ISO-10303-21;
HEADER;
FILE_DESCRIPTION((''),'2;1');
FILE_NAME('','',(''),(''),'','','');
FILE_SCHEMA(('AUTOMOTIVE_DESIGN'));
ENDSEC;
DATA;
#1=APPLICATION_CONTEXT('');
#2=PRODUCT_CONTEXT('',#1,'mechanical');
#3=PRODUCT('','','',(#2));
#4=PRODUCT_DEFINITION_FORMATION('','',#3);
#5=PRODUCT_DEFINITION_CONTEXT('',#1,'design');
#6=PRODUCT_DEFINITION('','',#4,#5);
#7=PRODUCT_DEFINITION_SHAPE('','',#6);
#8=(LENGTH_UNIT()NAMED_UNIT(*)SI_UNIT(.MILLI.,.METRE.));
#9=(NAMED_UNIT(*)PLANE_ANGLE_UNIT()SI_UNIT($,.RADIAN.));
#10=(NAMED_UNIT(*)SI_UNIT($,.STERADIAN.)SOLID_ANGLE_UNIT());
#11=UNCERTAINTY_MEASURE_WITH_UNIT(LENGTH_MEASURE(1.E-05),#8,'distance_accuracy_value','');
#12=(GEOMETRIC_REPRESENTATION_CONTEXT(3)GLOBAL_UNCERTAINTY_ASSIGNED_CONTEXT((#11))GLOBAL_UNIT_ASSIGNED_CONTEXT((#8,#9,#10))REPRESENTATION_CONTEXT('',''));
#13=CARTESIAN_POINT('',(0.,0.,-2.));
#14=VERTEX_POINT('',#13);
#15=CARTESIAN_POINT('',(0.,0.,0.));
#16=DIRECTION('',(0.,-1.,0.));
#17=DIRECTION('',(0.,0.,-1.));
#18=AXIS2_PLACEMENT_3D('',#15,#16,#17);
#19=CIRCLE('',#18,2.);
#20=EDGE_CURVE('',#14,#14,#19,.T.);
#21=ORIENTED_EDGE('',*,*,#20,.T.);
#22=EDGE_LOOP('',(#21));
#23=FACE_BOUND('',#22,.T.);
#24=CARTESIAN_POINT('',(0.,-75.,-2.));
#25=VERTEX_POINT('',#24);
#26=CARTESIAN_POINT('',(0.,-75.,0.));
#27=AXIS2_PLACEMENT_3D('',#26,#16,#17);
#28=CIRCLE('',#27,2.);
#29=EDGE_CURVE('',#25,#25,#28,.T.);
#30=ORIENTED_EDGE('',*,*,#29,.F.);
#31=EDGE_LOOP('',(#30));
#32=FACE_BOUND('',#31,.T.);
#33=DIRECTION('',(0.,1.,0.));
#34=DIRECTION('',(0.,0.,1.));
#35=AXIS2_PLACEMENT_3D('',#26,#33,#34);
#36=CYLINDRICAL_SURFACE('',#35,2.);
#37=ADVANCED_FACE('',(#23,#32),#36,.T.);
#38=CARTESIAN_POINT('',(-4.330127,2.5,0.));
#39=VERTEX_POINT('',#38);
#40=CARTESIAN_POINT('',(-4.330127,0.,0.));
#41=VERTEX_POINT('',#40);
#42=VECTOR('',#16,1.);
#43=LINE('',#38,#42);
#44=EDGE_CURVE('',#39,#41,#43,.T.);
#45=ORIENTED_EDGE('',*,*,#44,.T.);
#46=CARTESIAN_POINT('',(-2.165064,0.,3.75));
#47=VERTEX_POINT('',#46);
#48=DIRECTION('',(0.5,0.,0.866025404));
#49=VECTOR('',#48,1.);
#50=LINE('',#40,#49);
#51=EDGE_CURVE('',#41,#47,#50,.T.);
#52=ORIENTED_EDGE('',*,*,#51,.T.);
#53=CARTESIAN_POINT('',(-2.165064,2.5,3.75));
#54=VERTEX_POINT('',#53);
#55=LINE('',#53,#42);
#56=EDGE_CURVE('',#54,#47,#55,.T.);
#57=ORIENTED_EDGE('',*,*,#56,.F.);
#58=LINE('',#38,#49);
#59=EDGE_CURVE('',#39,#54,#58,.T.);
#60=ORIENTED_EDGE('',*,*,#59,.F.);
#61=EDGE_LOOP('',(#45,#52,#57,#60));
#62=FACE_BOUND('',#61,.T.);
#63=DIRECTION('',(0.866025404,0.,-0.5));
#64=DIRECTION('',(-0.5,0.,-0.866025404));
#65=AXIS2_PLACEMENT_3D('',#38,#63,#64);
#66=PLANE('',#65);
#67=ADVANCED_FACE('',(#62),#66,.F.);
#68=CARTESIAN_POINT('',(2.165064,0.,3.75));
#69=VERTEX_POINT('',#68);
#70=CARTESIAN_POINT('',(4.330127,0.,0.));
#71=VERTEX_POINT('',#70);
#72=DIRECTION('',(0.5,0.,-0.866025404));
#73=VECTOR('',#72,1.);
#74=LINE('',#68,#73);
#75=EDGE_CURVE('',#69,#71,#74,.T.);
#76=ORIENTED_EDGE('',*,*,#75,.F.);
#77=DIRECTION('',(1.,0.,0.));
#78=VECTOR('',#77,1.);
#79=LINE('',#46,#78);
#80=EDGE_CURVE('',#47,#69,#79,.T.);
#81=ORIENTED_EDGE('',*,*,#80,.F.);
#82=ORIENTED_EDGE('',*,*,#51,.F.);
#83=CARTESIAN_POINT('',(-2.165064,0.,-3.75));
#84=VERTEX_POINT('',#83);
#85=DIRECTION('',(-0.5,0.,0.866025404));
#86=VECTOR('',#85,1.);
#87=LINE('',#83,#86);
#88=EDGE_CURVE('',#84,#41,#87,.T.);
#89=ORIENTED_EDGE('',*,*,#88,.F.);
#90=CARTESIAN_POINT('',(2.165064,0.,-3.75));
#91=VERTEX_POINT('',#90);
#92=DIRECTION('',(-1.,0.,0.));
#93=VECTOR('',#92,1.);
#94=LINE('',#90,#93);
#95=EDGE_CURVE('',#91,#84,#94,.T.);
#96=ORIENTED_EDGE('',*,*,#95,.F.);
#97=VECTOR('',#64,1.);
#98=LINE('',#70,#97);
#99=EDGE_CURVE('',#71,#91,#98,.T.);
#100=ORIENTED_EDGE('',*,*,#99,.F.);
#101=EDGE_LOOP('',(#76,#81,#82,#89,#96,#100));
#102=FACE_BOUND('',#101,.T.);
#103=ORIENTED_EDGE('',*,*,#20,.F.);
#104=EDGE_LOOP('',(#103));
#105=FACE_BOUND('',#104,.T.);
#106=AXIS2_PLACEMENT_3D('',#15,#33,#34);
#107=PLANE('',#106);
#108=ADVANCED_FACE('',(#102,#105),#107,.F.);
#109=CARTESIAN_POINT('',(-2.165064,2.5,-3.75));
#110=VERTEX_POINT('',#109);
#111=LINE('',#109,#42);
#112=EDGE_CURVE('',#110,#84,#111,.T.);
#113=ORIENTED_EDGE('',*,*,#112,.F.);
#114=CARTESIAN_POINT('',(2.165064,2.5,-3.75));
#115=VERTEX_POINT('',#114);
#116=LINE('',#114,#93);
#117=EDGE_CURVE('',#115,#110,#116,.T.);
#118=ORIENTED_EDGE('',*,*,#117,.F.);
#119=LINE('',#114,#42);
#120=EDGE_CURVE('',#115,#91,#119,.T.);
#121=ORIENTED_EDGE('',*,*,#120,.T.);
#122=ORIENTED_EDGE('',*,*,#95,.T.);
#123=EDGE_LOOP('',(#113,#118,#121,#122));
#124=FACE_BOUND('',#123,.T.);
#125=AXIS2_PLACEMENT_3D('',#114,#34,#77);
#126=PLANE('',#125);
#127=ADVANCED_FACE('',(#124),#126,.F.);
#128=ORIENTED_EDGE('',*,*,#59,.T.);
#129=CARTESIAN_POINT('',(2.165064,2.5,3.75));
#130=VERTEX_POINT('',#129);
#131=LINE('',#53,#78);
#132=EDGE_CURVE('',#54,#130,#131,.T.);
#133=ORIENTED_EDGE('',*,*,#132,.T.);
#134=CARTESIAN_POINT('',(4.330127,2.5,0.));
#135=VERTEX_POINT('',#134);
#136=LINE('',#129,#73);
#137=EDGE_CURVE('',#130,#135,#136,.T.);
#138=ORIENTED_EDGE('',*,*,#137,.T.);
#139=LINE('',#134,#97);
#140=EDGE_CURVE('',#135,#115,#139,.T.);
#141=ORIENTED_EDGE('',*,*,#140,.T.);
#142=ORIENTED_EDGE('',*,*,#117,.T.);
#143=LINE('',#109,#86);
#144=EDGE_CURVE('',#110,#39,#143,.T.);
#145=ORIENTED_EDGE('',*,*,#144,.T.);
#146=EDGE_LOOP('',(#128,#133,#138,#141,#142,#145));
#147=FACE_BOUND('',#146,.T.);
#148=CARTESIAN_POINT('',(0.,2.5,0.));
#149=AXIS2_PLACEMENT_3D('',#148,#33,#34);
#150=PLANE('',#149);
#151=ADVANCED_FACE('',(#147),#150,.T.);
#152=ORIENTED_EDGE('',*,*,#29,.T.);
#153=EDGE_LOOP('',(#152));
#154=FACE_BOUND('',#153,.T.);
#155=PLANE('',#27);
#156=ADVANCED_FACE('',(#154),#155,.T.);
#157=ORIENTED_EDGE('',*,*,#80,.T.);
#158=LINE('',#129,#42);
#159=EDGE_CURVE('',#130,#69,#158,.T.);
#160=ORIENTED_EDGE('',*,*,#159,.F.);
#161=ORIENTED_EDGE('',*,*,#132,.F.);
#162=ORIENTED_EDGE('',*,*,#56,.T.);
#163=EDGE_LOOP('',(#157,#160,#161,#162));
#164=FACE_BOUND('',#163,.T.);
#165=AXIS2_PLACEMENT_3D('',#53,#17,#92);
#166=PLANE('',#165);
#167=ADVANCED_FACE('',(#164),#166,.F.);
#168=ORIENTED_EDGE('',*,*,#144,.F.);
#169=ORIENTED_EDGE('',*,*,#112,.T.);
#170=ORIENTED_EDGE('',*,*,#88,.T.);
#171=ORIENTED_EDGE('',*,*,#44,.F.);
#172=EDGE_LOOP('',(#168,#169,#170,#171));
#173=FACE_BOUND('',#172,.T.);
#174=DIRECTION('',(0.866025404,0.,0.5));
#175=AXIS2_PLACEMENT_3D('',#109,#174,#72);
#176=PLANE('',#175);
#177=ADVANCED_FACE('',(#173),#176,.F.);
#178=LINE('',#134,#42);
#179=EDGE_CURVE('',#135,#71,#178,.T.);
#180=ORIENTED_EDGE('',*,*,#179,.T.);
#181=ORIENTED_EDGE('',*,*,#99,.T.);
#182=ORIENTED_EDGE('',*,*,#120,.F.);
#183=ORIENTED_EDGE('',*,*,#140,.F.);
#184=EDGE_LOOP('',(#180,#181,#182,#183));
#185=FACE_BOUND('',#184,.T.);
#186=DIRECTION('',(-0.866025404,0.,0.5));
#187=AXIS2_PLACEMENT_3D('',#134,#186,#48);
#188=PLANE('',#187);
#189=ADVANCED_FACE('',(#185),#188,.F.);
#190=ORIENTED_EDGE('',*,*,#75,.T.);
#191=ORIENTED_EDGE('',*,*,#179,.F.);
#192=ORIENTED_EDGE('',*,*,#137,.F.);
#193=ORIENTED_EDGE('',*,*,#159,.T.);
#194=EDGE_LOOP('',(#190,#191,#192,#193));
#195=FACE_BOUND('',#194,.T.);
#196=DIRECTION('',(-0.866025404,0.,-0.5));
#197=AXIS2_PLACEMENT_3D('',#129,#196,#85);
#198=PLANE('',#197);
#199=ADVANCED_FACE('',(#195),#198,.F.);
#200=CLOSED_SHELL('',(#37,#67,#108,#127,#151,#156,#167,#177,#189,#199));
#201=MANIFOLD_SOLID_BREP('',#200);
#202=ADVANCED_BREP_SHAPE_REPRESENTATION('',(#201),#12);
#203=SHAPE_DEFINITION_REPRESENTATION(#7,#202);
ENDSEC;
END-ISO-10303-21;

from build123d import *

# Parameters (mm, degrees)
BOSS_EXTRUDE1_DEPTH = 2.5
SKETCH2_R           = 2
BOSS_EXTRUDE2_DEPTH = 75


with BuildPart() as part:
    # Sketch1 → Boss-Extrude1 (new body)
    with BuildSketch(Plane(origin=(0, 0, 0), x_dir=(1, 0, 0), z_dir=(0, 1, 0))):
        Polygon((4.330127019, 0), (2.165063509, 3.75), (-2.165063509, 3.75), (-4.330127019, 0), (-2.165063509, -3.75), (2.165063509, -3.75), align=None)
    extrude(amount=BOSS_EXTRUDE1_DEPTH)

    # Sketch2 → Boss-Extrude2 (add)
    with BuildSketch(Plane.XZ):
        with Locations(Location((0, 0, 0), (0, 0, 270))):
            Circle(SKETCH2_R)
    extrude(amount=BOSS_EXTRUDE2_DEPTH)


solid = part.part
